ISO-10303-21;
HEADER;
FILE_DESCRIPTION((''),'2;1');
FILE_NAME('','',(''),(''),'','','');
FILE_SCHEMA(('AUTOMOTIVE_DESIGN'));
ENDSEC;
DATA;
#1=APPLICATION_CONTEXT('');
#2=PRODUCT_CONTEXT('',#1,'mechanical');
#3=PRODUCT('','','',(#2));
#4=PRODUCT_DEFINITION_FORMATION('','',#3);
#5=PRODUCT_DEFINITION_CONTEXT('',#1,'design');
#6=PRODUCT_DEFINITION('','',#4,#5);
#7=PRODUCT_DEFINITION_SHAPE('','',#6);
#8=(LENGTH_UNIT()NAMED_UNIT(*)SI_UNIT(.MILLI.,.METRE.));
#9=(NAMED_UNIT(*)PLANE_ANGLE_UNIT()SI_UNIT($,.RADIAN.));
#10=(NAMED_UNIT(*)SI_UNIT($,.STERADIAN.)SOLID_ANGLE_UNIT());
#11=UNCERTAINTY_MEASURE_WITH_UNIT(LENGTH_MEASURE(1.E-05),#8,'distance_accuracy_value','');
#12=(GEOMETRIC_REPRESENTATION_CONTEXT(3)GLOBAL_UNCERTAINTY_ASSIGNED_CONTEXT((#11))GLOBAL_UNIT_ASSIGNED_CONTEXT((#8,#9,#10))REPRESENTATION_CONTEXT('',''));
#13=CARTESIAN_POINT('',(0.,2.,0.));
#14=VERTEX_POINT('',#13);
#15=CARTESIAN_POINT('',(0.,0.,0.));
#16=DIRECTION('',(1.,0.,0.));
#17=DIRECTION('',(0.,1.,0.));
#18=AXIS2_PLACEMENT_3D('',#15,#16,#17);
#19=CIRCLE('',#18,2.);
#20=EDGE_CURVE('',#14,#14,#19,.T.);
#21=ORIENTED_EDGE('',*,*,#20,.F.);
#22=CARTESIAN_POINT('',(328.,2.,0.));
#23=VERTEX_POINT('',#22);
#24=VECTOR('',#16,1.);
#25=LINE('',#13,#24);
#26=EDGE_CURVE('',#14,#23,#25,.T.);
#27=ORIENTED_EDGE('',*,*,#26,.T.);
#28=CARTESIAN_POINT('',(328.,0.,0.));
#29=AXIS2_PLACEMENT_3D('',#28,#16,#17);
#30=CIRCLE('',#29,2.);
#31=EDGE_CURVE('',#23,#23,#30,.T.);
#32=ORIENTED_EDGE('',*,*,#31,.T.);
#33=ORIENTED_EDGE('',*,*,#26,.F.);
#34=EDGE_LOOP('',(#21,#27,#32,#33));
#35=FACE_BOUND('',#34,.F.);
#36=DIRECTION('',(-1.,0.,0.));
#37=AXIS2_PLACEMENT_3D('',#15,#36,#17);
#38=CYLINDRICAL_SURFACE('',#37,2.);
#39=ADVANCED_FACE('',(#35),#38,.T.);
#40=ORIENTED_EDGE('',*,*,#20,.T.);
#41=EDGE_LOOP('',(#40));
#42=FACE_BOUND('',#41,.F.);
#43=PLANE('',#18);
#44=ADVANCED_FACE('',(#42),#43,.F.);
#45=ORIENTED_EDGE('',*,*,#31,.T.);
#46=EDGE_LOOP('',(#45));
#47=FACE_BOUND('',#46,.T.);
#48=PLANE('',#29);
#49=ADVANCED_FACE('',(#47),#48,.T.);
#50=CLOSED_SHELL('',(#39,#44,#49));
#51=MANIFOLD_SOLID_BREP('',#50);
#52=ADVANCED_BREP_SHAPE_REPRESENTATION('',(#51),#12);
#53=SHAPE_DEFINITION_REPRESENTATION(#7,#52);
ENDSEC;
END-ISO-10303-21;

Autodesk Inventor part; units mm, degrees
ref_plane "YZ Plane" through (0, 0, 0) normal (1, 0, 0) x (0, 1, 0)
ref_plane "XZ Plane" through (0, 0, 0) normal (0, 1, 0) x (-1, 0, 0)
ref_plane "XY Plane" through (0, 0, 0) normal (0, 0, 1) x (1, 0, 0)
sketch "スケッチ1" plane through (0, 0, 0) normal (1, 0, 0) x (0, 1, 0)
  circle A0 centre (0, 0) radius 2
  dimension "d0" = 4
extrude "押し出し1" add sketch "スケッチ1" along normal blind 328
properties part number "roller-hand-v2-Shaft-link1" material "アルミニウム 6061"
